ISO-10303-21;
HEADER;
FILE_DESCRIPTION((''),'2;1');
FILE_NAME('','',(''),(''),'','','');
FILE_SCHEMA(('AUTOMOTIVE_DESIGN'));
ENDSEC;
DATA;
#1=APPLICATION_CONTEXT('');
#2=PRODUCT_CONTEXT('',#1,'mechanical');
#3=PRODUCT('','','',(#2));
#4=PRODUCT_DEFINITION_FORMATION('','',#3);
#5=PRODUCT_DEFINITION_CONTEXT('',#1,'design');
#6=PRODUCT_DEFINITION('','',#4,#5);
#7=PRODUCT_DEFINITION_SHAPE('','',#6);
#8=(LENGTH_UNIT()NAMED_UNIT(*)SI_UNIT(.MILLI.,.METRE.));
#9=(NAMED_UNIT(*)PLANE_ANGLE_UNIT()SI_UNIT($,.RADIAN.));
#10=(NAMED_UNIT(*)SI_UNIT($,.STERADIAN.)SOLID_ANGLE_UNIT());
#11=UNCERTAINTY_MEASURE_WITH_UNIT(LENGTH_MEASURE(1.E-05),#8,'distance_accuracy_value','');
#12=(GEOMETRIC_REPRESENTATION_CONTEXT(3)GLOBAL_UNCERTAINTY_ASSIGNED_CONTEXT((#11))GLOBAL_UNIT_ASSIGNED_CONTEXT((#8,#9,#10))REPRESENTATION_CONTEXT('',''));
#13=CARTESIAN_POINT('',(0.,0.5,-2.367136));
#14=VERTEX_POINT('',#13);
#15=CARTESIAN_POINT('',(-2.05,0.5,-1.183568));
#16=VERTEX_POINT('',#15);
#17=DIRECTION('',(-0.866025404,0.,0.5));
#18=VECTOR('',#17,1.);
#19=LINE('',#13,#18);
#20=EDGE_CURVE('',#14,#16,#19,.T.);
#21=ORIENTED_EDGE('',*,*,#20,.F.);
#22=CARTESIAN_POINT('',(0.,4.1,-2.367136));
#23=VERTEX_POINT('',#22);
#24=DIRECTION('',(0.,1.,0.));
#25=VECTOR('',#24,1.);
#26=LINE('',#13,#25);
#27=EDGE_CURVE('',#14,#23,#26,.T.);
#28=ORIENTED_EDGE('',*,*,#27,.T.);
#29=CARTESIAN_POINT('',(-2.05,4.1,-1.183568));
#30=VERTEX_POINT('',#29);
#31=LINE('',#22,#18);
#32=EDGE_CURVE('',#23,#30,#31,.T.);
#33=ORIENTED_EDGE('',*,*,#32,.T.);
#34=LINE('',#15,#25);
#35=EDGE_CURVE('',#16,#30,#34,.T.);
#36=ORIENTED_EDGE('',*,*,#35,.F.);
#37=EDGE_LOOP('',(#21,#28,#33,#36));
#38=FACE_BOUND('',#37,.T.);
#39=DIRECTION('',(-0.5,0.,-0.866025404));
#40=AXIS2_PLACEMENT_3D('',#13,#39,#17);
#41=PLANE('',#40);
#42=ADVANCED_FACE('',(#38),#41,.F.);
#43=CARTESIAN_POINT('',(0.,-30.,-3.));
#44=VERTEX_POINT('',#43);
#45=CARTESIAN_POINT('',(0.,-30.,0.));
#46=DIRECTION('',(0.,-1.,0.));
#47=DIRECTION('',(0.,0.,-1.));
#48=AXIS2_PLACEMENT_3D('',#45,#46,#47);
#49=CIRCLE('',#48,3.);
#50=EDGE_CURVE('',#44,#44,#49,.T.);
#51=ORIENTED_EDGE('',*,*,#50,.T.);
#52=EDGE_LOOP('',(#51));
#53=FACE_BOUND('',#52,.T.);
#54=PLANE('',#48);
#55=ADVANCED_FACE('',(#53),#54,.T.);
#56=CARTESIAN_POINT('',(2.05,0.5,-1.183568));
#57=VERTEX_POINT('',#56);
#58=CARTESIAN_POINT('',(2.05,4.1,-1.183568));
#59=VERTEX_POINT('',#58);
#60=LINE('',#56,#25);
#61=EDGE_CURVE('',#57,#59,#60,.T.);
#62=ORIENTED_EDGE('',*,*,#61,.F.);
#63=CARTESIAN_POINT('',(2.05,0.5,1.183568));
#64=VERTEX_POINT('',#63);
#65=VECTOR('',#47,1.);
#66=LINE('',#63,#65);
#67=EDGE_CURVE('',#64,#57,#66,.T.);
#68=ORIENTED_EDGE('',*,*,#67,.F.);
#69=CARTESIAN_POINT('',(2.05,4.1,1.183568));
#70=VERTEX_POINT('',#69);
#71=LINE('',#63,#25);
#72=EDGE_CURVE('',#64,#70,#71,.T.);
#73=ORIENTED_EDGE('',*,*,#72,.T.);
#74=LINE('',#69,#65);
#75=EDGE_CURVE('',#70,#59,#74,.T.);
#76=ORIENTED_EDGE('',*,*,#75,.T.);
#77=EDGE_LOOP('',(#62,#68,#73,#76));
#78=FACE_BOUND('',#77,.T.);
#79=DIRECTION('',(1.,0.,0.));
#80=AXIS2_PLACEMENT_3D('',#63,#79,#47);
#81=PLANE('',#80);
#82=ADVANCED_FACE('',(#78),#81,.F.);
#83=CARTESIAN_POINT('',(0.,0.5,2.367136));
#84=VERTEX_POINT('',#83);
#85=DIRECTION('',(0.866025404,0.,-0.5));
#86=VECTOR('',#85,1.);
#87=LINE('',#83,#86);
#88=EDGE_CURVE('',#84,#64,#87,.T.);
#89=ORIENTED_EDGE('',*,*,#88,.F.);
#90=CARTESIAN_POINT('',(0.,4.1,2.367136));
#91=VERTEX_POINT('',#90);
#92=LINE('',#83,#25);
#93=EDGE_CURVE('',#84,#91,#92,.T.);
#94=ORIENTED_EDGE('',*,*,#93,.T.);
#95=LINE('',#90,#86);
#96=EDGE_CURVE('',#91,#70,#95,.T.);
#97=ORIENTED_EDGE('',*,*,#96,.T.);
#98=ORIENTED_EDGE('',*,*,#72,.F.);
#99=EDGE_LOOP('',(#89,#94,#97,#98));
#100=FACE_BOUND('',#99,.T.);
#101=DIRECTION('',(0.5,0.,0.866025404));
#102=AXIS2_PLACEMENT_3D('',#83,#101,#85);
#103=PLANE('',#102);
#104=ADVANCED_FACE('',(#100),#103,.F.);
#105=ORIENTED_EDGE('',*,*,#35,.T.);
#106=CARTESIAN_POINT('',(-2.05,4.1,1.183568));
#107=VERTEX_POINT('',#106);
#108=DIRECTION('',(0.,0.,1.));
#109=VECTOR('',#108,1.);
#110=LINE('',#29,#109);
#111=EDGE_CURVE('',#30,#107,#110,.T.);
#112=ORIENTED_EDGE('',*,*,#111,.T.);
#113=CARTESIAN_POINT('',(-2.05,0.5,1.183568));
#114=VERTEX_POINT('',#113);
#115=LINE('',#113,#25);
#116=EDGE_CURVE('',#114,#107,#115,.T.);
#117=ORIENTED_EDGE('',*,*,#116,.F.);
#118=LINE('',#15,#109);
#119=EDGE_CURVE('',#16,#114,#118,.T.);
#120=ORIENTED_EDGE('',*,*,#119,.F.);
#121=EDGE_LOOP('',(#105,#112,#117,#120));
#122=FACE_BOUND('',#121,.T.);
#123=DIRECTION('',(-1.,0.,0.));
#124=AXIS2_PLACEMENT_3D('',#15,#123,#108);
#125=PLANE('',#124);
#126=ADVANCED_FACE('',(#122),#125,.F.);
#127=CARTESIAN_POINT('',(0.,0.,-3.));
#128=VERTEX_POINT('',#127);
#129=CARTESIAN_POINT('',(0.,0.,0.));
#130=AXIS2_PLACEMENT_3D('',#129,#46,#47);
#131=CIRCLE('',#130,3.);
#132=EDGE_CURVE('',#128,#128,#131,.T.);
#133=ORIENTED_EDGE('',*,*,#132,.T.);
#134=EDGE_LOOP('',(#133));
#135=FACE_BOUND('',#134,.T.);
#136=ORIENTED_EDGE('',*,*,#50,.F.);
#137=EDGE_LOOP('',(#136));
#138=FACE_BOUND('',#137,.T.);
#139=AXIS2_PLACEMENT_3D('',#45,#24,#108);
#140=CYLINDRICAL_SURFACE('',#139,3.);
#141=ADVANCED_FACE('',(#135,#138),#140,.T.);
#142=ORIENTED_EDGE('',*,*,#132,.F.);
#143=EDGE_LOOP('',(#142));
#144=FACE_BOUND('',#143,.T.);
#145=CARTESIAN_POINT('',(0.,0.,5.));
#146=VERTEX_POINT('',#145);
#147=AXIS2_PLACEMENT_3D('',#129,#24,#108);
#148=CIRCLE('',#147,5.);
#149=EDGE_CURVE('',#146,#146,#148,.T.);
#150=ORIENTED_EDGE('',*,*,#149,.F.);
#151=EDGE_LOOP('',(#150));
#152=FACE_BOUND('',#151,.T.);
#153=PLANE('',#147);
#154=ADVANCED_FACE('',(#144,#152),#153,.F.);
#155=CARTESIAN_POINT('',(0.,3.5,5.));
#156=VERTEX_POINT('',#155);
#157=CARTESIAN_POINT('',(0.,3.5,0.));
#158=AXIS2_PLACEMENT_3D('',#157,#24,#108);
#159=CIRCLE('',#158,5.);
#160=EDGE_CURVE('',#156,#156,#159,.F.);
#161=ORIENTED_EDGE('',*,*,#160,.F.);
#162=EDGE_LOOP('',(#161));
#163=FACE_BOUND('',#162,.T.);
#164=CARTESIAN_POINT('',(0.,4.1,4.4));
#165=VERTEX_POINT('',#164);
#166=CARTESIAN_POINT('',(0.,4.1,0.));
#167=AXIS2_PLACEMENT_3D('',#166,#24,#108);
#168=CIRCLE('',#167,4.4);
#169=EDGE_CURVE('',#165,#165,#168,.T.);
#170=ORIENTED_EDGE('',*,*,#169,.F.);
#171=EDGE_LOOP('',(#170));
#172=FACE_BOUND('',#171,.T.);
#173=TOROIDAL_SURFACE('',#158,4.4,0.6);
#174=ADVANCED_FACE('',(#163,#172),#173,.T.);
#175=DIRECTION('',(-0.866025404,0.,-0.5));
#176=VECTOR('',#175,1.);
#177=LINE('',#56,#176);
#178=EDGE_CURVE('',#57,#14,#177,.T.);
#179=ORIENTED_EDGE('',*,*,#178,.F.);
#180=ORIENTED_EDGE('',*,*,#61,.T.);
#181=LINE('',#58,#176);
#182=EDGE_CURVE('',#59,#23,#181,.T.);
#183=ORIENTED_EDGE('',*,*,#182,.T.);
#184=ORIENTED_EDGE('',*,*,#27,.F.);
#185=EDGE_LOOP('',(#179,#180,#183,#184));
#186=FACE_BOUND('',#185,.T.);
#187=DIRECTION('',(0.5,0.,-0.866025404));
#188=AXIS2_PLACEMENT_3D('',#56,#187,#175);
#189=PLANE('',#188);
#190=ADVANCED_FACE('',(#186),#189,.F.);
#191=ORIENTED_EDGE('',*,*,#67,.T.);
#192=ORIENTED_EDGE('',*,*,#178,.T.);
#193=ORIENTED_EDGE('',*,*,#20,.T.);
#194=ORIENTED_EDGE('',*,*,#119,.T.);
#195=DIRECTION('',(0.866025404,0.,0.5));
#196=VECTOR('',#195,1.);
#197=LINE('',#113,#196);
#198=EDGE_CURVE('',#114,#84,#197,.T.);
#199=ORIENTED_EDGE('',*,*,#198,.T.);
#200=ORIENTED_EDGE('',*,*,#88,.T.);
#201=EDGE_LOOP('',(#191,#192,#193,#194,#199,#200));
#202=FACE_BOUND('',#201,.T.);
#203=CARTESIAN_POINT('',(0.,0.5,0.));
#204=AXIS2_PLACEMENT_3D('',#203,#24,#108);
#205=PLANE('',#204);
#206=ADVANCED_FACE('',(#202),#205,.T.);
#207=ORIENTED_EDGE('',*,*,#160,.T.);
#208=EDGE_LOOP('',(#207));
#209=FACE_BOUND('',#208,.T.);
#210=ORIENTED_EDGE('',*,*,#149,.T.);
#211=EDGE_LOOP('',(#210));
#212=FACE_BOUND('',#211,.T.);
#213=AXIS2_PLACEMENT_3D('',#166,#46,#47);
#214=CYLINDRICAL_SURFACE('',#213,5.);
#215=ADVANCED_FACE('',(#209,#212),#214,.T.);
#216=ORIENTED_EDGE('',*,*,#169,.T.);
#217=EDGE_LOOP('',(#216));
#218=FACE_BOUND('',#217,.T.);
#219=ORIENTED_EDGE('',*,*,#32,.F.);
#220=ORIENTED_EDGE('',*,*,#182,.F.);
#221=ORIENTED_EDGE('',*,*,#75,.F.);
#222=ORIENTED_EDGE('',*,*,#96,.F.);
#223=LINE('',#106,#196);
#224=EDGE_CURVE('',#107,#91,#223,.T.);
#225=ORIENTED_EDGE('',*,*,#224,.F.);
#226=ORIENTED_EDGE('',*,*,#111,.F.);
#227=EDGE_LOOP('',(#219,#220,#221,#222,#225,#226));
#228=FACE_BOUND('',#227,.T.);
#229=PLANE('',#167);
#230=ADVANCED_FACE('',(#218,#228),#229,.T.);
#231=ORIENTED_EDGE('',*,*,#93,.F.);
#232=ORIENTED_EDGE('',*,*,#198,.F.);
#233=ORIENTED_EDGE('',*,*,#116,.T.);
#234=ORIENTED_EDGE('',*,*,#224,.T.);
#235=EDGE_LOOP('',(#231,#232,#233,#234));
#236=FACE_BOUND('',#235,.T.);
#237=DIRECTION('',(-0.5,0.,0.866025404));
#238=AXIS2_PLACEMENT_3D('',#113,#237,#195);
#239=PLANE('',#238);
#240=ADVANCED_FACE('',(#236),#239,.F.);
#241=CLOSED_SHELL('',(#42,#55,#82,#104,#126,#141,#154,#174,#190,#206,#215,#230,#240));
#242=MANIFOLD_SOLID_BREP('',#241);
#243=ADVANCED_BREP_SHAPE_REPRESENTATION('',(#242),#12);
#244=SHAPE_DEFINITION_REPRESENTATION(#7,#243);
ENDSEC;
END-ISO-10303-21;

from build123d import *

# Parameters (mm, degrees)
SKETCH1_R           = 5
BOSS_EXTRUDE1_DEPTH = 4.1
FILLET1_R           = 0.6
CUT_EXTRUDE1_DEPTH  = 3.6
SKETCH3_R           = 3
BOSS_EXTRUDE2_DEPTH = 30


with BuildPart() as part:
    # Sketch1 → Boss-Extrude1 (new body)
    with BuildSketch(Plane(origin=(0, 0, 0), x_dir=(1, 0, 0), z_dir=(0, 1, 0))):
        with Locations(Location((0, 0, 0), (0, 0, 270))):
            Circle(SKETCH1_R)
    extrude(amount=BOSS_EXTRUDE1_DEPTH)

    # Fillet1
    fillet1_edges = [part.edges().sort_by_distance(p)[0] for p in [
        (0, 4.1, -5),
    ]]
    fillet(fillet1_edges, radius=FILLET1_R)

    # Sketch2 → Cut-Extrude1 (cut)
    with BuildSketch(Plane(origin=(0, 4.1, 0), x_dir=(1, 0, 0), z_dir=(0, 1, 0))):
        Polygon((0, -2.367136104), (2.05, -1.183568052), (2.05, 1.183568052), (0, 2.367136104), (-2.05, 1.183568052), (-2.05, -1.183568052), align=None)
    extrude(amount=-CUT_EXTRUDE1_DEPTH, mode=Mode.SUBTRACT)

    # Sketch3 → Boss-Extrude2 (add)
    with BuildSketch(Plane.XZ):
        with Locations(Location((0, 0, 0), (0, 0, 270))):
            Circle(SKETCH3_R)
    extrude(amount=BOSS_EXTRUDE2_DEPTH)


solid = part.part
